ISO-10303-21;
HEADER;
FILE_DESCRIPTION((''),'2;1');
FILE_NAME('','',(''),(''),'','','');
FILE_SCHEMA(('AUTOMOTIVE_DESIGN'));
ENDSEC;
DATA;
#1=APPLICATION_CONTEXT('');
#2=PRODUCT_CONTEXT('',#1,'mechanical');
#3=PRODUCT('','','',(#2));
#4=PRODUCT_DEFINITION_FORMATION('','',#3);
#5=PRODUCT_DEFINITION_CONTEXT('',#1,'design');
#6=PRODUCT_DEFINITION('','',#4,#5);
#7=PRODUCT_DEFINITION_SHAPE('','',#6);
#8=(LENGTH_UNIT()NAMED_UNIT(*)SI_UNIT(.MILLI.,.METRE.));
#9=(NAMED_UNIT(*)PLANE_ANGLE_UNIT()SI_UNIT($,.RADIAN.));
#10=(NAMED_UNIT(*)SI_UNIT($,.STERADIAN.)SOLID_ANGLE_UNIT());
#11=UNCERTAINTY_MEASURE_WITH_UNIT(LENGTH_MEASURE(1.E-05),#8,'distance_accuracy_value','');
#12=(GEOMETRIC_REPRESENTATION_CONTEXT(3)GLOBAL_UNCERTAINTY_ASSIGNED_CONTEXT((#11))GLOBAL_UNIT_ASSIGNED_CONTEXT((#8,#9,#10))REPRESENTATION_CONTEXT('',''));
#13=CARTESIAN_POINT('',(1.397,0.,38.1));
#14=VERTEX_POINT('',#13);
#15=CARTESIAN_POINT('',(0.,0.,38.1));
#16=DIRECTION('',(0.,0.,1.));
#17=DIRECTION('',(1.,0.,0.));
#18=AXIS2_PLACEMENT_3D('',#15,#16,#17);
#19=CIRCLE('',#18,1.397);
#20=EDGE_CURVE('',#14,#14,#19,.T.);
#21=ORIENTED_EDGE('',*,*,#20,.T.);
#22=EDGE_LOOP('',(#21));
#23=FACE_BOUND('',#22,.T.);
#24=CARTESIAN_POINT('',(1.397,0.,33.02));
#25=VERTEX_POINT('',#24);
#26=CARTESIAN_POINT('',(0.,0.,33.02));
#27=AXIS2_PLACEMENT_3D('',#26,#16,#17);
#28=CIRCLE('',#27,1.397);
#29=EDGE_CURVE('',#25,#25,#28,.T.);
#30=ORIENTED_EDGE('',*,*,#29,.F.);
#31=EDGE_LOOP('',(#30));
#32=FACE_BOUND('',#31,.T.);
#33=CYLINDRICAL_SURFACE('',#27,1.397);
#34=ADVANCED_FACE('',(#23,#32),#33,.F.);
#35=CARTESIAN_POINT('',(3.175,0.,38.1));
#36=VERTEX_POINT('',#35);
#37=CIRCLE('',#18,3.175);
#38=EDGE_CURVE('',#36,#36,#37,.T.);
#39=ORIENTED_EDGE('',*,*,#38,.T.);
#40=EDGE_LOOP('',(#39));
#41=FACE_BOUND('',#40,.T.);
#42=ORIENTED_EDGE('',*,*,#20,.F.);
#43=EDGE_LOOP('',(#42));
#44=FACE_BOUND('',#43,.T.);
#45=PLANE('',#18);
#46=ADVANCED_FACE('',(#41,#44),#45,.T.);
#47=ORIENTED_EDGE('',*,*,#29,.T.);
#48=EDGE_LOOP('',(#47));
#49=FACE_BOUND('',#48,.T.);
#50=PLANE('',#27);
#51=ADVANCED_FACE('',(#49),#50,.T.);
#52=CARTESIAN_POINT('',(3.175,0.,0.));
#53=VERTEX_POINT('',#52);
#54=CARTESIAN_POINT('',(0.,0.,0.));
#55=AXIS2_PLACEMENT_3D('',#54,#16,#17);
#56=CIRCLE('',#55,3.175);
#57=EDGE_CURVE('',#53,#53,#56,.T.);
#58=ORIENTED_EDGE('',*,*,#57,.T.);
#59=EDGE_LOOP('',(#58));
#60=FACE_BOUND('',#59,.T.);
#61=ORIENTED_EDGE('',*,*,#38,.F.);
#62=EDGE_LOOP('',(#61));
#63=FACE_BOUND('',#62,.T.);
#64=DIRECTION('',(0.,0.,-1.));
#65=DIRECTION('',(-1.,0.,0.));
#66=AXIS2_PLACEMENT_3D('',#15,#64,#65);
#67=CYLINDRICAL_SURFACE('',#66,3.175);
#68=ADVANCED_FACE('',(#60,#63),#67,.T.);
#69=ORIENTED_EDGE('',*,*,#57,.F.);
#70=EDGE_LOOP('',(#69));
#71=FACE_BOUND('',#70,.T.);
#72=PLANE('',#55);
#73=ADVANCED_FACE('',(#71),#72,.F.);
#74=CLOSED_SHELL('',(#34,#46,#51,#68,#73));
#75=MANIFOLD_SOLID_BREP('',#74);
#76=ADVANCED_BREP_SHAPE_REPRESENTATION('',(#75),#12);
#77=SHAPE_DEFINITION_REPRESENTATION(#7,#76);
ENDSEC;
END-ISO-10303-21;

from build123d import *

# Parameters (mm, degrees)
SKETCH1_R           = 3.175
BOSS_EXTRUDE1_DEPTH = 38.1
SKETCH2_R           = 1.397
CUT_EXTRUDE1_DEPTH  = 5.08


with BuildPart() as part:
    # Sketch1 → Boss-Extrude1 (new body)
    with BuildSketch(Plane.XY):
        Circle(SKETCH1_R)
    extrude(amount=BOSS_EXTRUDE1_DEPTH)

    # Sketch2 → Cut-Extrude1 (cut)
    with BuildSketch(Plane.XY.offset(38.1)):
        Circle(SKETCH2_R)
    extrude(amount=-CUT_EXTRUDE1_DEPTH, mode=Mode.SUBTRACT)


solid = part.part
